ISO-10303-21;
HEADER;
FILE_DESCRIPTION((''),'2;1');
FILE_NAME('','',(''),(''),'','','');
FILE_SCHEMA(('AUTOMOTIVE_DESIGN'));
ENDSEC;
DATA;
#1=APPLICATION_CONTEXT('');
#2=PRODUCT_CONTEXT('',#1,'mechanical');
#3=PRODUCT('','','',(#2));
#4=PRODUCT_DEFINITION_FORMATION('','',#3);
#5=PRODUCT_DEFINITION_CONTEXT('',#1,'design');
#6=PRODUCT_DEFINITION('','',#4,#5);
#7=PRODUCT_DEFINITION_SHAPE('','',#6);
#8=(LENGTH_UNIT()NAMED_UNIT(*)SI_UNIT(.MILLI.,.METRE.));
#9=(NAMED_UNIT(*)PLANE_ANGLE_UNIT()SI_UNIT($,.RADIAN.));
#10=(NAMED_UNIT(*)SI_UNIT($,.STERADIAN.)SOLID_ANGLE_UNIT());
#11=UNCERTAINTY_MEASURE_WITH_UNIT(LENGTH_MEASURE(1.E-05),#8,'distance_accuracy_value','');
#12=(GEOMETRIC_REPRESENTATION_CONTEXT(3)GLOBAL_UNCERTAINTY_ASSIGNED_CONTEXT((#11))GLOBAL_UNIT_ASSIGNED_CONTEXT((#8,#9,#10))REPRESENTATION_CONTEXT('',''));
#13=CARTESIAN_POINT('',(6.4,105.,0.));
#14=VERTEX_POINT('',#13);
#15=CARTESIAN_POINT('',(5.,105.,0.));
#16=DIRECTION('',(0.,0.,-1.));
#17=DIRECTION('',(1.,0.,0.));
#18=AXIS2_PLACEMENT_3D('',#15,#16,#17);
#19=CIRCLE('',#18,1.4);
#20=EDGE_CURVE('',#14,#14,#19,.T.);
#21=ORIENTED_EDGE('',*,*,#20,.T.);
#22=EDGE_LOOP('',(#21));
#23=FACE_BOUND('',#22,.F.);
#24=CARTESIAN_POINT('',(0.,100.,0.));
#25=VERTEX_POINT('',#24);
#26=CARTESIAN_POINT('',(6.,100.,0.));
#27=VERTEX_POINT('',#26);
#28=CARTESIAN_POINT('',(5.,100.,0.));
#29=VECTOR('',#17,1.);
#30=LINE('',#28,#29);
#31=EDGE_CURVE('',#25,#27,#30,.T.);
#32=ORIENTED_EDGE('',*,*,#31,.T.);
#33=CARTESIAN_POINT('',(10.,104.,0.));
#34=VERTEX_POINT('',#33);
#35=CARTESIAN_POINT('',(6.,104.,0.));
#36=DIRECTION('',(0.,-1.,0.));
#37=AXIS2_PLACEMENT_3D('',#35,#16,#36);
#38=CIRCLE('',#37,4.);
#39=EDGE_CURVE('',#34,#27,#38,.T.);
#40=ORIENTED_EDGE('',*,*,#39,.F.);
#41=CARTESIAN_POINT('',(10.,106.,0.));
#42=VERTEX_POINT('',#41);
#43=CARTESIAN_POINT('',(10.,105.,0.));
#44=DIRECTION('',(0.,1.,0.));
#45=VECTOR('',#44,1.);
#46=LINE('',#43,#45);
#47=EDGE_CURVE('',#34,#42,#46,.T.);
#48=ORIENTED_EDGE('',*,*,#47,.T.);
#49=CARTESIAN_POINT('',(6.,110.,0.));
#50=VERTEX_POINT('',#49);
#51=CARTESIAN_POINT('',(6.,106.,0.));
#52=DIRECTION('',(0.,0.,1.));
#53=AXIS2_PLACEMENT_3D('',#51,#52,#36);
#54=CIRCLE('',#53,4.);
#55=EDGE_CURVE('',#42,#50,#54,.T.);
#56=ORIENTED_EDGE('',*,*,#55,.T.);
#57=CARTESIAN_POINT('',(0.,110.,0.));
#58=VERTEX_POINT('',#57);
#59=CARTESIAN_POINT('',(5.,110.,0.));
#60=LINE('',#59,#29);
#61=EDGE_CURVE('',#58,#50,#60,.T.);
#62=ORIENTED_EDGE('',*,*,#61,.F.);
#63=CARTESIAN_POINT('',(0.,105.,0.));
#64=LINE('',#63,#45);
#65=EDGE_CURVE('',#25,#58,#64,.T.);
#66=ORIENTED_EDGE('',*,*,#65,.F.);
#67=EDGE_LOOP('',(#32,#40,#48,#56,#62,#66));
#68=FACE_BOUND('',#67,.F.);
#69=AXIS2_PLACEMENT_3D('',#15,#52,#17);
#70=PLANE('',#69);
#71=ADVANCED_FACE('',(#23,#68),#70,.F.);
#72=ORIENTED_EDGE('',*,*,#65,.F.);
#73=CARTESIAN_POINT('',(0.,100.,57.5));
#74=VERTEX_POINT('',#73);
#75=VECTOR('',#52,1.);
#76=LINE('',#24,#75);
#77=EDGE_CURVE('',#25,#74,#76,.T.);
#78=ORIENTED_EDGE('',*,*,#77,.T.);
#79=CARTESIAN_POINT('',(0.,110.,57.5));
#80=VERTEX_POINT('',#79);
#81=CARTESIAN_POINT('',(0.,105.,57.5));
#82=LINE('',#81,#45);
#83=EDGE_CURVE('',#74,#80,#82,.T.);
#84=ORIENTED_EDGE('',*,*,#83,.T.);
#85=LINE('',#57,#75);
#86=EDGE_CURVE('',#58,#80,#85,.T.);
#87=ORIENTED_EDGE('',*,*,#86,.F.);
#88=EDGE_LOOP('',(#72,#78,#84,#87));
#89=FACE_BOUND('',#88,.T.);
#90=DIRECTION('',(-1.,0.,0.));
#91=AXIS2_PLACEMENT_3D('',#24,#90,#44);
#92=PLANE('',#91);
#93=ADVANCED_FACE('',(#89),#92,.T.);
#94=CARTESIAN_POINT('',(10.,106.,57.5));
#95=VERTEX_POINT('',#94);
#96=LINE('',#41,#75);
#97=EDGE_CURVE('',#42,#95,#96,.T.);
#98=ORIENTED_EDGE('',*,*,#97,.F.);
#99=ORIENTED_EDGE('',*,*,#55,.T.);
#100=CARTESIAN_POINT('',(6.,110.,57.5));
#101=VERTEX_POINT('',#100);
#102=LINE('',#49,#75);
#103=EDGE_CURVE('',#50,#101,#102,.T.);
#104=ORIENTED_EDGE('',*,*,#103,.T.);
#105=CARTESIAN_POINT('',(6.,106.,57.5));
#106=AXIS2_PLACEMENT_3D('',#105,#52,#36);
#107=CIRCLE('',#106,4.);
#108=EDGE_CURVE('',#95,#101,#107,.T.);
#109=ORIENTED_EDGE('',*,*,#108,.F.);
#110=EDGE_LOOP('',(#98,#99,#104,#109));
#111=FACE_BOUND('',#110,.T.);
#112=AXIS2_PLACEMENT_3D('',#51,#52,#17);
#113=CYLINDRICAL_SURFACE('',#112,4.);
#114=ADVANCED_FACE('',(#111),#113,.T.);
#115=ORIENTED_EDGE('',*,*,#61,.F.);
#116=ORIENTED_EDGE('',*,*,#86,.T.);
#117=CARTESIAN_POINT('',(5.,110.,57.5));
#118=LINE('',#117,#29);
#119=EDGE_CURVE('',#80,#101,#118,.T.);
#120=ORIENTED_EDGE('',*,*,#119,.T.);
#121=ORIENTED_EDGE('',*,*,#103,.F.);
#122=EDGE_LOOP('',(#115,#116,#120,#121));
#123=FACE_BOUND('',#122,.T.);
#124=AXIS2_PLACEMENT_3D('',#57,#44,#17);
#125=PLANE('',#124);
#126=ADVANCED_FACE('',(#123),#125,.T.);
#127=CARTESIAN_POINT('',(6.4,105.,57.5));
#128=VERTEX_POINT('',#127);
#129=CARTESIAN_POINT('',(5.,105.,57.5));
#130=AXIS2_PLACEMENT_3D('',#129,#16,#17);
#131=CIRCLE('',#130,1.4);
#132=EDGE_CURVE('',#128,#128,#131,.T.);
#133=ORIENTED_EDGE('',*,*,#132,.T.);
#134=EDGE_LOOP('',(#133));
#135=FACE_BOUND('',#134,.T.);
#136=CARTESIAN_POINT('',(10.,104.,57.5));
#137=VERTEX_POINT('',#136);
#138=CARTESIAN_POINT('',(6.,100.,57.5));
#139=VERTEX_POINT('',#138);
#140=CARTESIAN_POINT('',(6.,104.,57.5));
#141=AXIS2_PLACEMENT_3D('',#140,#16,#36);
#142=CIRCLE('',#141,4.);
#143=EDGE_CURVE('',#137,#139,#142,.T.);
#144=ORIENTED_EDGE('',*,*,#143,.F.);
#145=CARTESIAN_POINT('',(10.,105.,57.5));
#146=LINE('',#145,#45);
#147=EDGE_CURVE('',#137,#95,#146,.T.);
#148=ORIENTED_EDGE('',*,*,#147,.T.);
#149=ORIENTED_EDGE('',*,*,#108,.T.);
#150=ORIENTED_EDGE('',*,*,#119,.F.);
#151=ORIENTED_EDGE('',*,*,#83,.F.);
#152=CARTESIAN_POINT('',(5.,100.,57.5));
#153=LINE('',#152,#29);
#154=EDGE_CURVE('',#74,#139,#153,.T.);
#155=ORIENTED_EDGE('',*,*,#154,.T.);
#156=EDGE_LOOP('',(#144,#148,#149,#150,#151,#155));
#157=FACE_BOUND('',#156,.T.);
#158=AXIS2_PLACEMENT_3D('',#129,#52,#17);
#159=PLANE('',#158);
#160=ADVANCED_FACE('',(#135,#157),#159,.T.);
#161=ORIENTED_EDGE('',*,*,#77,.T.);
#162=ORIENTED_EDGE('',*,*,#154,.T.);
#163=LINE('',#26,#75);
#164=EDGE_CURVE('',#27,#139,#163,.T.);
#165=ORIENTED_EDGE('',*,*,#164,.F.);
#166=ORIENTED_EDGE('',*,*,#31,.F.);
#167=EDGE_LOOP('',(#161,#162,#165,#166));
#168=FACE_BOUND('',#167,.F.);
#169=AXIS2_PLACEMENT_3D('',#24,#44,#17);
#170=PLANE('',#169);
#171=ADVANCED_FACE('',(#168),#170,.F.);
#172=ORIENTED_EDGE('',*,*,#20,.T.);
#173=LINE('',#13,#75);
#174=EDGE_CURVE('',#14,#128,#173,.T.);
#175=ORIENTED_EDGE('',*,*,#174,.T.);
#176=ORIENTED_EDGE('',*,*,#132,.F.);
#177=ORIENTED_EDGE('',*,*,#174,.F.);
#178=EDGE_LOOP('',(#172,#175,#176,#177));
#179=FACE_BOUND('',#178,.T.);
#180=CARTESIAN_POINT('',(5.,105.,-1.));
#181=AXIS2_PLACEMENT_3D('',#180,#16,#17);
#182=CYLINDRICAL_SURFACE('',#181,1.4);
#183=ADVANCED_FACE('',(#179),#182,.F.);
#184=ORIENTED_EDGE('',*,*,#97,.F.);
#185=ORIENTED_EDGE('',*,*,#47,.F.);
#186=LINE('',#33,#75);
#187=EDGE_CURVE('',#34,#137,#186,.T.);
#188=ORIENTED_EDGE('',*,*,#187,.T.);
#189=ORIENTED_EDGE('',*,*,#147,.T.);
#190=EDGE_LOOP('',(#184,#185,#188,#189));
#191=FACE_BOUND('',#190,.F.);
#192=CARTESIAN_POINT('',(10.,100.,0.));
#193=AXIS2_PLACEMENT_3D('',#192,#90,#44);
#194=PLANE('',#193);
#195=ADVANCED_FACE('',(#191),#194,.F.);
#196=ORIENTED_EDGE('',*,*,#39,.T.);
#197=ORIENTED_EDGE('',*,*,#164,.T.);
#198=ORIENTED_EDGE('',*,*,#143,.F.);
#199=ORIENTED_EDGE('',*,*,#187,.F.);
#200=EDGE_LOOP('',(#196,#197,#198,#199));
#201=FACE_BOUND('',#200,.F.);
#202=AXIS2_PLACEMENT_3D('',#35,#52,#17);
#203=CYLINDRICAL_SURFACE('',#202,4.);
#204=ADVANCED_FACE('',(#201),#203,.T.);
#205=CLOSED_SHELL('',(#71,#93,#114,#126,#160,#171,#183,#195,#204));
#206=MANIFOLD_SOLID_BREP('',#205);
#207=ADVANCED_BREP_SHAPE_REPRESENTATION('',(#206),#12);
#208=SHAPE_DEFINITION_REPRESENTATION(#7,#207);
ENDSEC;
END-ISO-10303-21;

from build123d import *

# Parameters (mm, degrees)
CYLINDER004_R     = 1.4
CYLINDER004_DEPTH = 61
CYLINDER003_R     = 1.4
CYLINDER003_DEPTH = 10
BOX_W             = 10
BOX_H             = 10
BOX_DEPTH         = 57.5
FILLET_R          = 4
FILLET001_R       = 4


with BuildPart() as cylinder004:
    # Cylinder004 → Cylinder004 (new body)
    with BuildSketch(Plane(origin=(5, 105, -1.5), x_dir=(1, 0, 0), z_dir=(0, 0, 1))):
        Circle(CYLINDER004_R)
    extrude(amount=CYLINDER004_DEPTH)


with BuildPart() as cylinder003:
    # Cylinder003 → Cylinder003 (new body)
    with BuildSketch(Plane(origin=(5, 105, -1), x_dir=(1, 0, 0), z_dir=(0, 0, 1))):
        Circle(CYLINDER003_R)
    extrude(amount=CYLINDER003_DEPTH)


with BuildPart() as spacer:
    # Box → Box (new body)
    with BuildSketch(Plane(origin=(0, 100, 0), x_dir=(1, 0, 0), z_dir=(0, 0, 1))):
        with Locations((5, 5)):
            Rectangle(BOX_W, BOX_H)
    extrude(amount=BOX_DEPTH)

    # Cut003: cut Cylinder003
    add(cylinder003.part, mode=Mode.SUBTRACT)

    # Cut004: cut Cylinder004
    add(cylinder004.part, mode=Mode.SUBTRACT)

    # Fillet
    fillet_edges = [spacer.edges().sort_by_distance(p)[0] for p in [
        (10, 110, 28.75),
    ]]
    fillet(fillet_edges, radius=FILLET_R)

    # Fillet001
    fillet001_edges = [spacer.edges().sort_by_distance(p)[0] for p in [
        (10, 100, 28.75),
    ]]
    fillet(fillet001_edges, radius=FILLET001_R)


solid = spacer.part
